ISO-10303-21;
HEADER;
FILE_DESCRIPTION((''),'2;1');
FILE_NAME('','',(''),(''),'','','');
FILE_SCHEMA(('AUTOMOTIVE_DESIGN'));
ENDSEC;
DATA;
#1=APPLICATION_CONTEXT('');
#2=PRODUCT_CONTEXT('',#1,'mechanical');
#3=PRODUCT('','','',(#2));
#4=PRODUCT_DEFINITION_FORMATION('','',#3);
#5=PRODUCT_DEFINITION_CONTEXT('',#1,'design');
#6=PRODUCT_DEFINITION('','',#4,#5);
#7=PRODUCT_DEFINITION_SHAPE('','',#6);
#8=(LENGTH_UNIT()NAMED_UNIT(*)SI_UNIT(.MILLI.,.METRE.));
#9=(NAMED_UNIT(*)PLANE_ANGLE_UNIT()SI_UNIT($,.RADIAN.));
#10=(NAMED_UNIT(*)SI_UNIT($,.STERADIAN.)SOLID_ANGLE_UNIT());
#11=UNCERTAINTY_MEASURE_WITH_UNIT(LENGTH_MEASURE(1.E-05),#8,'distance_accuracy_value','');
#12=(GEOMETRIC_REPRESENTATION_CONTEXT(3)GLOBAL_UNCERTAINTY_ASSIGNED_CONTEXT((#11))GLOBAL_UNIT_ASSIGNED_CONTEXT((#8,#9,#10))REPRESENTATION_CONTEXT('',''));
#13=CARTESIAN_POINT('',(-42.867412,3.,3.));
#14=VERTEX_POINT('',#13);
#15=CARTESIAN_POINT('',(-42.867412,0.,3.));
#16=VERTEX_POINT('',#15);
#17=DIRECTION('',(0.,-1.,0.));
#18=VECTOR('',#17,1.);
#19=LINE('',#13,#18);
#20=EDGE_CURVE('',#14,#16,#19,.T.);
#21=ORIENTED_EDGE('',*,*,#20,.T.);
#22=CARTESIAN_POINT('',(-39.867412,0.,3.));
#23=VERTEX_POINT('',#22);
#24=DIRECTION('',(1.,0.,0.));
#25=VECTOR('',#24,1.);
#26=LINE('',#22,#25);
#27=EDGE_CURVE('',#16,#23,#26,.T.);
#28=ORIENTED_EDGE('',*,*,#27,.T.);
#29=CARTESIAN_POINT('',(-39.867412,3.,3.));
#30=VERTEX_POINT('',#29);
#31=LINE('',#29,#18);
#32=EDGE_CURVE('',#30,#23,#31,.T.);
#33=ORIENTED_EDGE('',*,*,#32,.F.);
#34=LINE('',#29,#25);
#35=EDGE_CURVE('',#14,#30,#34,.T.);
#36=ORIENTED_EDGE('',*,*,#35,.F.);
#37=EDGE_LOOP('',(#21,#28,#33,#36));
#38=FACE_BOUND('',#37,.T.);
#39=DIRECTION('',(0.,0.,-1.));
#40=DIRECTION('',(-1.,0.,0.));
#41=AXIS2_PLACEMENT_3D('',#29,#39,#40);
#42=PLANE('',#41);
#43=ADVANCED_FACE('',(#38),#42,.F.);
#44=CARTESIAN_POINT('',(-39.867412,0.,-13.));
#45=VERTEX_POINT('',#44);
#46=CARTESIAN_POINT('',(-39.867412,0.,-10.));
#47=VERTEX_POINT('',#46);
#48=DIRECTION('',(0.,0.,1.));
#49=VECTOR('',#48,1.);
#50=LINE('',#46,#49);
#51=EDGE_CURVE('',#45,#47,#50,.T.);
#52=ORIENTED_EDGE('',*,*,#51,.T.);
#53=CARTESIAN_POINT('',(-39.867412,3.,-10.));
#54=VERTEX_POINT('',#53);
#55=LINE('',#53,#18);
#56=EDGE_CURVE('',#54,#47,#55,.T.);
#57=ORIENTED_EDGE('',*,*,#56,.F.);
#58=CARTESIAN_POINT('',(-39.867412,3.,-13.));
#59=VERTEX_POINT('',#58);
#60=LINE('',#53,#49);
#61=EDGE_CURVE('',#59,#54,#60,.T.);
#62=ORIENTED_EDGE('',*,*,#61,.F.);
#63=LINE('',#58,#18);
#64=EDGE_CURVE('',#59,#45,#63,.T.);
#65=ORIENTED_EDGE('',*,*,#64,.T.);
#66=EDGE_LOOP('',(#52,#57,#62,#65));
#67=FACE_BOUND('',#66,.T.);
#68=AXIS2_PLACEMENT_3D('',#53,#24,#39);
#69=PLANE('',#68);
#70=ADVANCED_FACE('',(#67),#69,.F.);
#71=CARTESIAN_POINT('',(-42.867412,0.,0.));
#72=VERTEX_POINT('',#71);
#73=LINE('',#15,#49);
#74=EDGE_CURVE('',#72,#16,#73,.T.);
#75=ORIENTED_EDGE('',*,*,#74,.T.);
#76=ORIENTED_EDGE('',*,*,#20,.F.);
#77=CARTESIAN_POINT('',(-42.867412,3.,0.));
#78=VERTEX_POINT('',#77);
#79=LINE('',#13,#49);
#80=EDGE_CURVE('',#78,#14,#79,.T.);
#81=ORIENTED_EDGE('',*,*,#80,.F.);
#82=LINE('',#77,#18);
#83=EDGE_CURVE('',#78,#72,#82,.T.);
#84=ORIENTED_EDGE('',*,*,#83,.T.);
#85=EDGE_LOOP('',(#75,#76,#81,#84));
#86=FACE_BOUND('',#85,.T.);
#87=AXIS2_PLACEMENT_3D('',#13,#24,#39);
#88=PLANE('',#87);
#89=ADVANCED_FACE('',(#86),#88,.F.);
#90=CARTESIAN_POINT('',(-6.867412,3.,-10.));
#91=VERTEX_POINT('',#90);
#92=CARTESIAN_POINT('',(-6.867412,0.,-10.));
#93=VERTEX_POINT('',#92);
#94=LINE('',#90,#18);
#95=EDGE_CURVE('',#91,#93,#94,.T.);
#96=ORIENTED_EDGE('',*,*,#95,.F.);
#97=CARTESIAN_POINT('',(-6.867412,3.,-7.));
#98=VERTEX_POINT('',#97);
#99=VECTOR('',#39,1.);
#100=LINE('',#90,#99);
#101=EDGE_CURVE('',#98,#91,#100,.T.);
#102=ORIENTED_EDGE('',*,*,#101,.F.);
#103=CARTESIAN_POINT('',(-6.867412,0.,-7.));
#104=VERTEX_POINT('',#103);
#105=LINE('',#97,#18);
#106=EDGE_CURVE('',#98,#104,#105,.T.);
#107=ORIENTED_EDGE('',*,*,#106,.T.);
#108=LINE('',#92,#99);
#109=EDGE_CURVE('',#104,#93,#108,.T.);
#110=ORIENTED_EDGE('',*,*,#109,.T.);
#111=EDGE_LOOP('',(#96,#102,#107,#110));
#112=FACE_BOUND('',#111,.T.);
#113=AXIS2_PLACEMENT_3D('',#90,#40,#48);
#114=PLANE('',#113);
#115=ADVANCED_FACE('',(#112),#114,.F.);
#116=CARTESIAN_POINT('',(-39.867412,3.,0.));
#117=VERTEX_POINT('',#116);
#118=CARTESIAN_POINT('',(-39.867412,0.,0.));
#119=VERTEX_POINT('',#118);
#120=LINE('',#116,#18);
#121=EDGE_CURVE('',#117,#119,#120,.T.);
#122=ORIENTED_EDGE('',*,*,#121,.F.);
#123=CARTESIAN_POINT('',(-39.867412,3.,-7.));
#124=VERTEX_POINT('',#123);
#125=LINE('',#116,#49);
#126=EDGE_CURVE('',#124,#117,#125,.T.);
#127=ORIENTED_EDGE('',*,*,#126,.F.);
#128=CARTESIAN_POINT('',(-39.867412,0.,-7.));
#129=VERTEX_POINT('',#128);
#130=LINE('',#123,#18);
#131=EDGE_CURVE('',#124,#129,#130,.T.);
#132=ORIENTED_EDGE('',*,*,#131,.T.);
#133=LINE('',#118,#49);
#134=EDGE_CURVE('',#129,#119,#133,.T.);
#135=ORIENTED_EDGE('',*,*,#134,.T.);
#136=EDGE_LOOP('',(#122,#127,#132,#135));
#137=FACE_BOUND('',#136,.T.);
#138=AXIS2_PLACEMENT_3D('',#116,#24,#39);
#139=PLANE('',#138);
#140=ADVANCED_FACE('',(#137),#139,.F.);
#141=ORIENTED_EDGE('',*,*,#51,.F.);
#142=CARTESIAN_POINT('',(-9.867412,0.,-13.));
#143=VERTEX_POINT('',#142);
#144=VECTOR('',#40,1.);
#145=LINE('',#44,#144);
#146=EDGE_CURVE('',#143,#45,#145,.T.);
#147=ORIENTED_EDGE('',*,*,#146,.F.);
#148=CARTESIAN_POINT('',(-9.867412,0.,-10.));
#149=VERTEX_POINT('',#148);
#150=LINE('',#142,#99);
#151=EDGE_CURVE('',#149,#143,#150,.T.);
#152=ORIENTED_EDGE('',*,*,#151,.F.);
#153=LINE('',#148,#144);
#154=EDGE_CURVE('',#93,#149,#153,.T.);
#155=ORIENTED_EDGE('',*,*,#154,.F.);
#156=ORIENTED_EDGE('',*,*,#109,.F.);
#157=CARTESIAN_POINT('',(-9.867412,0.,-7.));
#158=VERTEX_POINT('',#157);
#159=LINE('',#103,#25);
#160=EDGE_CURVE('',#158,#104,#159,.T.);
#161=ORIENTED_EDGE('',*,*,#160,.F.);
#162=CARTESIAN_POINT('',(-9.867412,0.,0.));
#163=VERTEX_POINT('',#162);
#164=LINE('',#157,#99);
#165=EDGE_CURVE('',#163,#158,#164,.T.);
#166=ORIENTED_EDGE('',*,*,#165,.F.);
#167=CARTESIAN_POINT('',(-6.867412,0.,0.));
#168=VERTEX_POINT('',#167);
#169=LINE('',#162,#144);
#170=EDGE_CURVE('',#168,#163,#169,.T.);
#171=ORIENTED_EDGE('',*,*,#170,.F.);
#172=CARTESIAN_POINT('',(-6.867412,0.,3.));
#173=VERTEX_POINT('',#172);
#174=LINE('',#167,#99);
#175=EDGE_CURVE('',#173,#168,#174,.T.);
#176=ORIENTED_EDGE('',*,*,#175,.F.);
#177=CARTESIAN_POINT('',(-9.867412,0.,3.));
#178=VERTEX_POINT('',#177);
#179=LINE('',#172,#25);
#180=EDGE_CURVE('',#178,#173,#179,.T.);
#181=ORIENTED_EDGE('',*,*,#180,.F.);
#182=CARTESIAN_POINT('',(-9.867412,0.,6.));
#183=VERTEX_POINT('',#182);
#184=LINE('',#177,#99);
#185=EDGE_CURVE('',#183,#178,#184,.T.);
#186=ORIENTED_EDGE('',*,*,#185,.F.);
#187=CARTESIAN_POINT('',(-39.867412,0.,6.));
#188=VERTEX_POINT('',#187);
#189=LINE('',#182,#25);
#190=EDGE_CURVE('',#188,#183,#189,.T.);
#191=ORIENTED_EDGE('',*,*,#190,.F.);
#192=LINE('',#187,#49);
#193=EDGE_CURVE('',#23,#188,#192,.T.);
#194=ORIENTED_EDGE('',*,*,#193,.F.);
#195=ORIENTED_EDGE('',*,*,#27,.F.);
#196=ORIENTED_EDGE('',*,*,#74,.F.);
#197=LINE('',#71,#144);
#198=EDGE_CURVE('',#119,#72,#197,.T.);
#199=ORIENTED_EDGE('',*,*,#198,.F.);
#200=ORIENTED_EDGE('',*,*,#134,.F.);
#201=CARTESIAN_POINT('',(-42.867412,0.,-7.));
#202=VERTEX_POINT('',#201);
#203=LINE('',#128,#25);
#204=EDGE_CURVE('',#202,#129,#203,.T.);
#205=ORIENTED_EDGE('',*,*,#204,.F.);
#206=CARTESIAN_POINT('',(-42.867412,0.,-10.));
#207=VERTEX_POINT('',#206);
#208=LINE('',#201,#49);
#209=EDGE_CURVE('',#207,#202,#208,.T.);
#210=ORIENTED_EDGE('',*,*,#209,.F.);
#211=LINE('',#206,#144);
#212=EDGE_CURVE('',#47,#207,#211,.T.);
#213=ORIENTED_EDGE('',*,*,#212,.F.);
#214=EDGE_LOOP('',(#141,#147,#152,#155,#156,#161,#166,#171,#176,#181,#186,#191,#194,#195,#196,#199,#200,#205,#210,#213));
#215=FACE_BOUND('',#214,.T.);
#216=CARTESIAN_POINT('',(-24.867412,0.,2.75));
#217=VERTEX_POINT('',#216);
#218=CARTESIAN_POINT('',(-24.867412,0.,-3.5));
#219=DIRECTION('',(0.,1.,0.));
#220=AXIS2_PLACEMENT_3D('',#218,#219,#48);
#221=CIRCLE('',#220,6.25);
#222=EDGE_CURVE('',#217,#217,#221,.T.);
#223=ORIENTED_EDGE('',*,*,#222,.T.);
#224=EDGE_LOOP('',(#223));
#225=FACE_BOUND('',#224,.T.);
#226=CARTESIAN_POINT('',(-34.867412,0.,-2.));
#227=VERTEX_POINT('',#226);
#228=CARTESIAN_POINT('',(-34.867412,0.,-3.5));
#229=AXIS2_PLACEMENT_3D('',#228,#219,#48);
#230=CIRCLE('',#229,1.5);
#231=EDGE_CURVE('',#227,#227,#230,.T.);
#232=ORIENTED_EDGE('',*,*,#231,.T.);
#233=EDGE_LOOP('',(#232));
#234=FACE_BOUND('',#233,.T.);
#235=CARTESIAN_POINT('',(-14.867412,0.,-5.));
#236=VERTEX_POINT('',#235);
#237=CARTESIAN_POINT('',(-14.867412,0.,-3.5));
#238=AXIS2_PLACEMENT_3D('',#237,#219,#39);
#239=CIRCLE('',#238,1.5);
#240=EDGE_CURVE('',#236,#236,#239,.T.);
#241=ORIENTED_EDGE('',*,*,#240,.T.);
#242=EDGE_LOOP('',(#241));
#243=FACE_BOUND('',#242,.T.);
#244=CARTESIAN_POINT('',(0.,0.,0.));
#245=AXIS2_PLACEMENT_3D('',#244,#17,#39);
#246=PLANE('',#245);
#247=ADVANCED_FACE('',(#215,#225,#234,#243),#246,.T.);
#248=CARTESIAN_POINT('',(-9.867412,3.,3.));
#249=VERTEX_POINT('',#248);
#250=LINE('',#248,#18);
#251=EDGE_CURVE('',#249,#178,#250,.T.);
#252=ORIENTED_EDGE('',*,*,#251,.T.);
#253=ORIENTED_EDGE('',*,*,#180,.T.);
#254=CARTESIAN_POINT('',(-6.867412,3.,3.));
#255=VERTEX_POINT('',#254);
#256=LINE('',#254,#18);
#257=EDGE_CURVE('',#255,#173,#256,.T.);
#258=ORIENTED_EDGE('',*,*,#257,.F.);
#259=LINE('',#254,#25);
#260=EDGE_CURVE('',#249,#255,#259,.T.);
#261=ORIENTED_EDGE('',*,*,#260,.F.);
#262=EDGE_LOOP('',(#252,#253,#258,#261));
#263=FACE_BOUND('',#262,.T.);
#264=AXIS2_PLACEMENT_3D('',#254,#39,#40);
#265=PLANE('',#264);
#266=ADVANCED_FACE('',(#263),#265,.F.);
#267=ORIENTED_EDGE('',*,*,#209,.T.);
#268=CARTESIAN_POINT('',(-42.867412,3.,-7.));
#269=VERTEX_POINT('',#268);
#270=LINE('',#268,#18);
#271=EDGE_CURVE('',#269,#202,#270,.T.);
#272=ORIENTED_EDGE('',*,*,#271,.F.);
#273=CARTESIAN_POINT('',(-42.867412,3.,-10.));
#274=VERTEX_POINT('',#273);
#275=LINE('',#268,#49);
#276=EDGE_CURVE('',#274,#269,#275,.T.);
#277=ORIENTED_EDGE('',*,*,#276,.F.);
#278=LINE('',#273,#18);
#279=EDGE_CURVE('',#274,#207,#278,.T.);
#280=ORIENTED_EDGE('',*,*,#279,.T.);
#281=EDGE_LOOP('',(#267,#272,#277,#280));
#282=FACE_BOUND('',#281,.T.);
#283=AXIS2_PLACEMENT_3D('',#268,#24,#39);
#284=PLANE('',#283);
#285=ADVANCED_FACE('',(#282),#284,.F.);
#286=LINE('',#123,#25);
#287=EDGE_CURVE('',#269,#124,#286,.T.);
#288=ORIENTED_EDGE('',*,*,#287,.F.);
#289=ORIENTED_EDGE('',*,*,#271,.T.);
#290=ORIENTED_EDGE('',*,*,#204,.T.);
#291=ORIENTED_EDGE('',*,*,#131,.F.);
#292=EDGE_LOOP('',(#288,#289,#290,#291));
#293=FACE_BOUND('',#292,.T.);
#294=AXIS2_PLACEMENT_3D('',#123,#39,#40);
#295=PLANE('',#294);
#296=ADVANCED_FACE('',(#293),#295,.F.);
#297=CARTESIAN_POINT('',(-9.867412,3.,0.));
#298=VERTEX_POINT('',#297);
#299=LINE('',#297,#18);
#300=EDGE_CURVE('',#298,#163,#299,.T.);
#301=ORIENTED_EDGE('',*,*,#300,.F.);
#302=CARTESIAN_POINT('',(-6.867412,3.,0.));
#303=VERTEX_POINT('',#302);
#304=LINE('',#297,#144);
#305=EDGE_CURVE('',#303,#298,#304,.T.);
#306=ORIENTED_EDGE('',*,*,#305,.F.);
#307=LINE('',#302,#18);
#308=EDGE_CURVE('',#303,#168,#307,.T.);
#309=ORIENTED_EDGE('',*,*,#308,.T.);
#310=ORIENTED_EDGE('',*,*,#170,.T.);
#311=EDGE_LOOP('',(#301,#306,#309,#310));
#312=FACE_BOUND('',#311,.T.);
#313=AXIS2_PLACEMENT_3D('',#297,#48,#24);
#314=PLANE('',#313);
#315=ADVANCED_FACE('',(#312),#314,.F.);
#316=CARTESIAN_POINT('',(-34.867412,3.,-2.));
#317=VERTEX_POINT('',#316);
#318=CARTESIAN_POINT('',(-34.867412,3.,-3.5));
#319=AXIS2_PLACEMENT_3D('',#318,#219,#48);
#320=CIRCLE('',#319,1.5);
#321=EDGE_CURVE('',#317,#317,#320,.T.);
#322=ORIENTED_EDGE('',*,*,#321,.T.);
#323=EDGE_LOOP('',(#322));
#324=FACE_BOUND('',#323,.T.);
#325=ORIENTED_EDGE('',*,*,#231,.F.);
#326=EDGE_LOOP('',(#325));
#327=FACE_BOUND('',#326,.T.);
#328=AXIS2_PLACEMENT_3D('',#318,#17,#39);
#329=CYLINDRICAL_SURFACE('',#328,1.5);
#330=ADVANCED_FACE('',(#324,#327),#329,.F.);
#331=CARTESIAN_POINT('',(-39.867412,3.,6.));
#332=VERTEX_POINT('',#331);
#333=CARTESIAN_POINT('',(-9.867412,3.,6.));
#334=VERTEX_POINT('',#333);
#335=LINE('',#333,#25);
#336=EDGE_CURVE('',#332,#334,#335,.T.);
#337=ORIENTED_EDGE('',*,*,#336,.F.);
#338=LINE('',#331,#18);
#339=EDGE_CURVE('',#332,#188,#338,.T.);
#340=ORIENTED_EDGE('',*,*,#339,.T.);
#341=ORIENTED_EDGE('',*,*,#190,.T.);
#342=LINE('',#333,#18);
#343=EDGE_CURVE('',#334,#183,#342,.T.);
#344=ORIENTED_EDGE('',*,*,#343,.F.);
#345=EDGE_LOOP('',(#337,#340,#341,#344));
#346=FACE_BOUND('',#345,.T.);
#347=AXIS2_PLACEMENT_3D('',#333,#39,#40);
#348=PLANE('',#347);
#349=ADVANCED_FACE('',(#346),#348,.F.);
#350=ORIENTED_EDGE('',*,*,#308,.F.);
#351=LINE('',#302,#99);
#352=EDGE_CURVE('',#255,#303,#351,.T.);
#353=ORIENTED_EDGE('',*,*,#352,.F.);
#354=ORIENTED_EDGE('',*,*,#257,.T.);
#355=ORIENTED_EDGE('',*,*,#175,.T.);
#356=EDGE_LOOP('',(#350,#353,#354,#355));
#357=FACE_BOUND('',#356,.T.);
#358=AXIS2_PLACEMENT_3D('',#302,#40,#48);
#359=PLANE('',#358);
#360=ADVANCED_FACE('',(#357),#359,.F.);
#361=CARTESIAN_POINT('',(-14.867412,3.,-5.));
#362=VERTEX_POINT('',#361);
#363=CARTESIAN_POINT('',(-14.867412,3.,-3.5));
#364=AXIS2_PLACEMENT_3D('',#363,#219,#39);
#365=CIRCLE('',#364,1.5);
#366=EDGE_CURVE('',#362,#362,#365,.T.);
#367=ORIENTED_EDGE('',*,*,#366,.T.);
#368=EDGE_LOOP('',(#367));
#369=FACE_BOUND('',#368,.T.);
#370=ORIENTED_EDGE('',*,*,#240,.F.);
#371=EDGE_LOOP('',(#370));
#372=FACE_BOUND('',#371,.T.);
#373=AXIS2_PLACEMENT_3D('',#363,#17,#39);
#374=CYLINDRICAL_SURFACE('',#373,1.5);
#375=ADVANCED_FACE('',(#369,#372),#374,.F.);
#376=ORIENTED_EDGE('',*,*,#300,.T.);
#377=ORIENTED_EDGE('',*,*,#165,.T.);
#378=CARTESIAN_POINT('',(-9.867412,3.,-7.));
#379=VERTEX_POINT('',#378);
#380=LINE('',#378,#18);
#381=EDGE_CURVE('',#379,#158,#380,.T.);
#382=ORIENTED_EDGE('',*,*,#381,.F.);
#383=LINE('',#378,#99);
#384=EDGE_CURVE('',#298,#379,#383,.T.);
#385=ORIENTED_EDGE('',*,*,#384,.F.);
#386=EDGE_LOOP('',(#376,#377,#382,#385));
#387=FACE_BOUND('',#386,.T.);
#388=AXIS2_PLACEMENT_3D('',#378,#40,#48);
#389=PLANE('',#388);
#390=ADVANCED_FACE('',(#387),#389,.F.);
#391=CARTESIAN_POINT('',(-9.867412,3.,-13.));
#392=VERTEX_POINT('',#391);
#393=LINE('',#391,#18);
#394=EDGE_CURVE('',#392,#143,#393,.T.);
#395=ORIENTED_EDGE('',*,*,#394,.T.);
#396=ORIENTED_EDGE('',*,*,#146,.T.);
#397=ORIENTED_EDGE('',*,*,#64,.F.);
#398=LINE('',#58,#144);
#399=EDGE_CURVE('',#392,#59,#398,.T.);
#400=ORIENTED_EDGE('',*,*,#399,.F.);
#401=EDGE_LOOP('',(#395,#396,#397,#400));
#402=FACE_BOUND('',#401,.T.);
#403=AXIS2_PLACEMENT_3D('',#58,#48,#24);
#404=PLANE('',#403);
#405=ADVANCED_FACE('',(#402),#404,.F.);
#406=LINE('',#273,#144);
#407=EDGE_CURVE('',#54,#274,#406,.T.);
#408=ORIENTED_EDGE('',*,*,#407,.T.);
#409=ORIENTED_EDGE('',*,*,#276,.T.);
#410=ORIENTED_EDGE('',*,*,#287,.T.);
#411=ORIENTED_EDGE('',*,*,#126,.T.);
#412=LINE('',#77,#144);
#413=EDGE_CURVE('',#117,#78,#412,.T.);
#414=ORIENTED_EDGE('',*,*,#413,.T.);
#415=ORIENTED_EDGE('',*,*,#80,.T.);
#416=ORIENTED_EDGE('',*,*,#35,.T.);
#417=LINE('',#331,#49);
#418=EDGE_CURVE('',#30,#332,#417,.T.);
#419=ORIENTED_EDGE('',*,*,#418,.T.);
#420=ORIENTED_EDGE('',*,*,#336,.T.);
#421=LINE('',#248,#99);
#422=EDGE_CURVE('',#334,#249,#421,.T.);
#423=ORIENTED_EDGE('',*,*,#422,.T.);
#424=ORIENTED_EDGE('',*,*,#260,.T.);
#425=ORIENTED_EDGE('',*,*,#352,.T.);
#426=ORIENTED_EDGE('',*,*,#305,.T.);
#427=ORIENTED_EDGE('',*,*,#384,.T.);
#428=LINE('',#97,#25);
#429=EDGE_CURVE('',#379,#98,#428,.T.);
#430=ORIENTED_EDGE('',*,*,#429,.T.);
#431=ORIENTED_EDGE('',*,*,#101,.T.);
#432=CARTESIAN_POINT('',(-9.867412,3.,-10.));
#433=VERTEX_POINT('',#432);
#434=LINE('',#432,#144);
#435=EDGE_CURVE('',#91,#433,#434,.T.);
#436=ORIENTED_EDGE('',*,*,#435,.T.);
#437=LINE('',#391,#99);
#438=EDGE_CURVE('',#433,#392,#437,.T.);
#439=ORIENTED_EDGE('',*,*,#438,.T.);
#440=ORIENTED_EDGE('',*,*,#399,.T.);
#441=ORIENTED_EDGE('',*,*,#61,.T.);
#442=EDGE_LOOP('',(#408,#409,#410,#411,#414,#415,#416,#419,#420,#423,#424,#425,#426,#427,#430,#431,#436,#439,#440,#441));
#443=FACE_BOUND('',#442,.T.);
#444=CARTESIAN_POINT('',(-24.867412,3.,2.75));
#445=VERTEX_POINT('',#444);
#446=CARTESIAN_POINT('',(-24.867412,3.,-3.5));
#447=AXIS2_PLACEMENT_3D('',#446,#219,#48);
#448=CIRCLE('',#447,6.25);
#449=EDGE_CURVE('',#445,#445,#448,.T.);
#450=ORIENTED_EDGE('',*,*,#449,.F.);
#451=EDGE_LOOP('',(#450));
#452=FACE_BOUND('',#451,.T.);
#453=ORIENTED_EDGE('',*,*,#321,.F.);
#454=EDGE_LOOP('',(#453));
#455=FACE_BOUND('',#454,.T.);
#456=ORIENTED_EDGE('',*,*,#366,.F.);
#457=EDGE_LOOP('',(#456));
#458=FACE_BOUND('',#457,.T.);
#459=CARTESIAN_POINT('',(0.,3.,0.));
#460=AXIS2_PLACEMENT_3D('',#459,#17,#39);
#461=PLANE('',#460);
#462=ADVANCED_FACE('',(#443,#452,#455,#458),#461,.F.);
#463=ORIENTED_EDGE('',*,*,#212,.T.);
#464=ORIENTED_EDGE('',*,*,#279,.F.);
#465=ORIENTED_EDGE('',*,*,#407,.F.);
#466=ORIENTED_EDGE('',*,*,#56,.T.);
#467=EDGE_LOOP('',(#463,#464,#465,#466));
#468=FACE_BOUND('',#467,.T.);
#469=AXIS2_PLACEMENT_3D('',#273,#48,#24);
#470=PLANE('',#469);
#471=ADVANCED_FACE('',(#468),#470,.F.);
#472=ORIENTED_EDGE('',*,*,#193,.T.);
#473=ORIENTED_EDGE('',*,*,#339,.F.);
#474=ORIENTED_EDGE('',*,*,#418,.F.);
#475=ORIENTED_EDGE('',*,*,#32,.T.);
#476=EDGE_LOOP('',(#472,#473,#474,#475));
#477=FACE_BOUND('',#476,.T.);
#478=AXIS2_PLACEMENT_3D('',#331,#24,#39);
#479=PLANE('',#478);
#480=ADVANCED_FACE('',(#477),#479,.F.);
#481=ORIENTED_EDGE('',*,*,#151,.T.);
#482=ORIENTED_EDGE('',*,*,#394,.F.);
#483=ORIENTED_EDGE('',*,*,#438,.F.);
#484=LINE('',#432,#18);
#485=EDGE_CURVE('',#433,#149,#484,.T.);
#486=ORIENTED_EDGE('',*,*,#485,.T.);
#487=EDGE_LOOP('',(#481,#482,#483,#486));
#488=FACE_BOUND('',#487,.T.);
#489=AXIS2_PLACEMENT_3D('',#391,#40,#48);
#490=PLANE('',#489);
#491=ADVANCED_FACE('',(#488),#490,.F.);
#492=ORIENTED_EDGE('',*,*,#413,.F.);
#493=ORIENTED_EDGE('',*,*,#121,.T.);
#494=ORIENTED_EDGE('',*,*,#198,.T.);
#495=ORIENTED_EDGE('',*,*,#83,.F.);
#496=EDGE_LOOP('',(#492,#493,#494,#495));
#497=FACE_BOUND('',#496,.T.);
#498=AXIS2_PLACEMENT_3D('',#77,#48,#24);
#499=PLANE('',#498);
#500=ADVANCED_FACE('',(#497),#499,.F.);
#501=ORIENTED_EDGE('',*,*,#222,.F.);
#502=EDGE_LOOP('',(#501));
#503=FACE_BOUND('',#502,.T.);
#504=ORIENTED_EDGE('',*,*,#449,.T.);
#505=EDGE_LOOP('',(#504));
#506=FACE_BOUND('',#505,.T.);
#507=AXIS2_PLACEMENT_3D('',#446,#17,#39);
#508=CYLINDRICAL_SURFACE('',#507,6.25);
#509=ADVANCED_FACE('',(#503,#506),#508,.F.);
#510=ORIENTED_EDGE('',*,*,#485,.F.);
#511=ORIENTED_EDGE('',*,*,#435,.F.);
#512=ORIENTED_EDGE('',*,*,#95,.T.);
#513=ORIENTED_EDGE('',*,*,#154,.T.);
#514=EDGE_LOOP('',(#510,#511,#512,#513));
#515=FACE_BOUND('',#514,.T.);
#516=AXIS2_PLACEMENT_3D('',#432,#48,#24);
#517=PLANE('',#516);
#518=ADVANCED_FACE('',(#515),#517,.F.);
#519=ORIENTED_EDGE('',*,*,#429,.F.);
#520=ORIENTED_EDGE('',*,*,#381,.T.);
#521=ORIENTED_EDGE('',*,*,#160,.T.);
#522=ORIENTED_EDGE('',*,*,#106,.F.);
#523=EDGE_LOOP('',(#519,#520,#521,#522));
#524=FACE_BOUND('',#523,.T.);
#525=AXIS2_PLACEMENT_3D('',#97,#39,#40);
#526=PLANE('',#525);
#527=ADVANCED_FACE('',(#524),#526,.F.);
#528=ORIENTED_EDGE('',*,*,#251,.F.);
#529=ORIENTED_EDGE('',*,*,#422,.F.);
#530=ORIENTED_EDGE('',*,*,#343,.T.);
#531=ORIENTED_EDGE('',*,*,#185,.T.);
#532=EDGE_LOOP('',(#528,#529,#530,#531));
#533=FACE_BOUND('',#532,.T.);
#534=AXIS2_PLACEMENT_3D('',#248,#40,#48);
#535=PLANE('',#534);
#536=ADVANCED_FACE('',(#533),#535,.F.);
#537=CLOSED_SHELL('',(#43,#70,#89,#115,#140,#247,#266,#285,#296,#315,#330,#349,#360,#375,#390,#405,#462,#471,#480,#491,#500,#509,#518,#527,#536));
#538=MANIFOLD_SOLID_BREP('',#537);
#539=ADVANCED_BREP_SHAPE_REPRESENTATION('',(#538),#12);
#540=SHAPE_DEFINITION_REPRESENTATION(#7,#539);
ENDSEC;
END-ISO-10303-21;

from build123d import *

# Parameters (mm, degrees)
SKETCH1_R           = 6.25
SKETCH1_R_2         = 1.5
BOSS_EXTRUDE1_DEPTH = 3


with BuildPart() as part:
    # Sketch1 → Boss-Extrude1 (new body)
    with BuildSketch(Plane(origin=(0, 0, 0), x_dir=(1, 0, 0), z_dir=(0, 1, 0))):
        Polygon((-42.867412192, 7), (-42.867412192, 10), (-39.867412192, 10), (-39.867412192, 13), (-9.867412192, 13), (-9.867412192, 10), (-6.867412192, 10), (-6.867412192, 7), (-9.867412192, 7), (-9.867412192, 0), (-6.867412192, 0), (-6.867412192, -3), (-9.867412192, -3), (-9.867412192, -6), (-39.867412192, -6), (-39.867412192, -3), (-42.867412192, -3), (-42.867412192, 0), (-39.867412192, 0), (-39.867412192, 7), align=None)
        with Locations((-24.867412192, 3.5)):
            Circle(SKETCH1_R, mode=Mode.SUBTRACT)
        with Locations((-34.867412192, 3.5)):
            Circle(SKETCH1_R_2, mode=Mode.SUBTRACT)
        with Locations((-14.867412192, 3.5)):
            Circle(SKETCH1_R_2, mode=Mode.SUBTRACT)
    extrude(amount=BOSS_EXTRUDE1_DEPTH)


solid = part.part
